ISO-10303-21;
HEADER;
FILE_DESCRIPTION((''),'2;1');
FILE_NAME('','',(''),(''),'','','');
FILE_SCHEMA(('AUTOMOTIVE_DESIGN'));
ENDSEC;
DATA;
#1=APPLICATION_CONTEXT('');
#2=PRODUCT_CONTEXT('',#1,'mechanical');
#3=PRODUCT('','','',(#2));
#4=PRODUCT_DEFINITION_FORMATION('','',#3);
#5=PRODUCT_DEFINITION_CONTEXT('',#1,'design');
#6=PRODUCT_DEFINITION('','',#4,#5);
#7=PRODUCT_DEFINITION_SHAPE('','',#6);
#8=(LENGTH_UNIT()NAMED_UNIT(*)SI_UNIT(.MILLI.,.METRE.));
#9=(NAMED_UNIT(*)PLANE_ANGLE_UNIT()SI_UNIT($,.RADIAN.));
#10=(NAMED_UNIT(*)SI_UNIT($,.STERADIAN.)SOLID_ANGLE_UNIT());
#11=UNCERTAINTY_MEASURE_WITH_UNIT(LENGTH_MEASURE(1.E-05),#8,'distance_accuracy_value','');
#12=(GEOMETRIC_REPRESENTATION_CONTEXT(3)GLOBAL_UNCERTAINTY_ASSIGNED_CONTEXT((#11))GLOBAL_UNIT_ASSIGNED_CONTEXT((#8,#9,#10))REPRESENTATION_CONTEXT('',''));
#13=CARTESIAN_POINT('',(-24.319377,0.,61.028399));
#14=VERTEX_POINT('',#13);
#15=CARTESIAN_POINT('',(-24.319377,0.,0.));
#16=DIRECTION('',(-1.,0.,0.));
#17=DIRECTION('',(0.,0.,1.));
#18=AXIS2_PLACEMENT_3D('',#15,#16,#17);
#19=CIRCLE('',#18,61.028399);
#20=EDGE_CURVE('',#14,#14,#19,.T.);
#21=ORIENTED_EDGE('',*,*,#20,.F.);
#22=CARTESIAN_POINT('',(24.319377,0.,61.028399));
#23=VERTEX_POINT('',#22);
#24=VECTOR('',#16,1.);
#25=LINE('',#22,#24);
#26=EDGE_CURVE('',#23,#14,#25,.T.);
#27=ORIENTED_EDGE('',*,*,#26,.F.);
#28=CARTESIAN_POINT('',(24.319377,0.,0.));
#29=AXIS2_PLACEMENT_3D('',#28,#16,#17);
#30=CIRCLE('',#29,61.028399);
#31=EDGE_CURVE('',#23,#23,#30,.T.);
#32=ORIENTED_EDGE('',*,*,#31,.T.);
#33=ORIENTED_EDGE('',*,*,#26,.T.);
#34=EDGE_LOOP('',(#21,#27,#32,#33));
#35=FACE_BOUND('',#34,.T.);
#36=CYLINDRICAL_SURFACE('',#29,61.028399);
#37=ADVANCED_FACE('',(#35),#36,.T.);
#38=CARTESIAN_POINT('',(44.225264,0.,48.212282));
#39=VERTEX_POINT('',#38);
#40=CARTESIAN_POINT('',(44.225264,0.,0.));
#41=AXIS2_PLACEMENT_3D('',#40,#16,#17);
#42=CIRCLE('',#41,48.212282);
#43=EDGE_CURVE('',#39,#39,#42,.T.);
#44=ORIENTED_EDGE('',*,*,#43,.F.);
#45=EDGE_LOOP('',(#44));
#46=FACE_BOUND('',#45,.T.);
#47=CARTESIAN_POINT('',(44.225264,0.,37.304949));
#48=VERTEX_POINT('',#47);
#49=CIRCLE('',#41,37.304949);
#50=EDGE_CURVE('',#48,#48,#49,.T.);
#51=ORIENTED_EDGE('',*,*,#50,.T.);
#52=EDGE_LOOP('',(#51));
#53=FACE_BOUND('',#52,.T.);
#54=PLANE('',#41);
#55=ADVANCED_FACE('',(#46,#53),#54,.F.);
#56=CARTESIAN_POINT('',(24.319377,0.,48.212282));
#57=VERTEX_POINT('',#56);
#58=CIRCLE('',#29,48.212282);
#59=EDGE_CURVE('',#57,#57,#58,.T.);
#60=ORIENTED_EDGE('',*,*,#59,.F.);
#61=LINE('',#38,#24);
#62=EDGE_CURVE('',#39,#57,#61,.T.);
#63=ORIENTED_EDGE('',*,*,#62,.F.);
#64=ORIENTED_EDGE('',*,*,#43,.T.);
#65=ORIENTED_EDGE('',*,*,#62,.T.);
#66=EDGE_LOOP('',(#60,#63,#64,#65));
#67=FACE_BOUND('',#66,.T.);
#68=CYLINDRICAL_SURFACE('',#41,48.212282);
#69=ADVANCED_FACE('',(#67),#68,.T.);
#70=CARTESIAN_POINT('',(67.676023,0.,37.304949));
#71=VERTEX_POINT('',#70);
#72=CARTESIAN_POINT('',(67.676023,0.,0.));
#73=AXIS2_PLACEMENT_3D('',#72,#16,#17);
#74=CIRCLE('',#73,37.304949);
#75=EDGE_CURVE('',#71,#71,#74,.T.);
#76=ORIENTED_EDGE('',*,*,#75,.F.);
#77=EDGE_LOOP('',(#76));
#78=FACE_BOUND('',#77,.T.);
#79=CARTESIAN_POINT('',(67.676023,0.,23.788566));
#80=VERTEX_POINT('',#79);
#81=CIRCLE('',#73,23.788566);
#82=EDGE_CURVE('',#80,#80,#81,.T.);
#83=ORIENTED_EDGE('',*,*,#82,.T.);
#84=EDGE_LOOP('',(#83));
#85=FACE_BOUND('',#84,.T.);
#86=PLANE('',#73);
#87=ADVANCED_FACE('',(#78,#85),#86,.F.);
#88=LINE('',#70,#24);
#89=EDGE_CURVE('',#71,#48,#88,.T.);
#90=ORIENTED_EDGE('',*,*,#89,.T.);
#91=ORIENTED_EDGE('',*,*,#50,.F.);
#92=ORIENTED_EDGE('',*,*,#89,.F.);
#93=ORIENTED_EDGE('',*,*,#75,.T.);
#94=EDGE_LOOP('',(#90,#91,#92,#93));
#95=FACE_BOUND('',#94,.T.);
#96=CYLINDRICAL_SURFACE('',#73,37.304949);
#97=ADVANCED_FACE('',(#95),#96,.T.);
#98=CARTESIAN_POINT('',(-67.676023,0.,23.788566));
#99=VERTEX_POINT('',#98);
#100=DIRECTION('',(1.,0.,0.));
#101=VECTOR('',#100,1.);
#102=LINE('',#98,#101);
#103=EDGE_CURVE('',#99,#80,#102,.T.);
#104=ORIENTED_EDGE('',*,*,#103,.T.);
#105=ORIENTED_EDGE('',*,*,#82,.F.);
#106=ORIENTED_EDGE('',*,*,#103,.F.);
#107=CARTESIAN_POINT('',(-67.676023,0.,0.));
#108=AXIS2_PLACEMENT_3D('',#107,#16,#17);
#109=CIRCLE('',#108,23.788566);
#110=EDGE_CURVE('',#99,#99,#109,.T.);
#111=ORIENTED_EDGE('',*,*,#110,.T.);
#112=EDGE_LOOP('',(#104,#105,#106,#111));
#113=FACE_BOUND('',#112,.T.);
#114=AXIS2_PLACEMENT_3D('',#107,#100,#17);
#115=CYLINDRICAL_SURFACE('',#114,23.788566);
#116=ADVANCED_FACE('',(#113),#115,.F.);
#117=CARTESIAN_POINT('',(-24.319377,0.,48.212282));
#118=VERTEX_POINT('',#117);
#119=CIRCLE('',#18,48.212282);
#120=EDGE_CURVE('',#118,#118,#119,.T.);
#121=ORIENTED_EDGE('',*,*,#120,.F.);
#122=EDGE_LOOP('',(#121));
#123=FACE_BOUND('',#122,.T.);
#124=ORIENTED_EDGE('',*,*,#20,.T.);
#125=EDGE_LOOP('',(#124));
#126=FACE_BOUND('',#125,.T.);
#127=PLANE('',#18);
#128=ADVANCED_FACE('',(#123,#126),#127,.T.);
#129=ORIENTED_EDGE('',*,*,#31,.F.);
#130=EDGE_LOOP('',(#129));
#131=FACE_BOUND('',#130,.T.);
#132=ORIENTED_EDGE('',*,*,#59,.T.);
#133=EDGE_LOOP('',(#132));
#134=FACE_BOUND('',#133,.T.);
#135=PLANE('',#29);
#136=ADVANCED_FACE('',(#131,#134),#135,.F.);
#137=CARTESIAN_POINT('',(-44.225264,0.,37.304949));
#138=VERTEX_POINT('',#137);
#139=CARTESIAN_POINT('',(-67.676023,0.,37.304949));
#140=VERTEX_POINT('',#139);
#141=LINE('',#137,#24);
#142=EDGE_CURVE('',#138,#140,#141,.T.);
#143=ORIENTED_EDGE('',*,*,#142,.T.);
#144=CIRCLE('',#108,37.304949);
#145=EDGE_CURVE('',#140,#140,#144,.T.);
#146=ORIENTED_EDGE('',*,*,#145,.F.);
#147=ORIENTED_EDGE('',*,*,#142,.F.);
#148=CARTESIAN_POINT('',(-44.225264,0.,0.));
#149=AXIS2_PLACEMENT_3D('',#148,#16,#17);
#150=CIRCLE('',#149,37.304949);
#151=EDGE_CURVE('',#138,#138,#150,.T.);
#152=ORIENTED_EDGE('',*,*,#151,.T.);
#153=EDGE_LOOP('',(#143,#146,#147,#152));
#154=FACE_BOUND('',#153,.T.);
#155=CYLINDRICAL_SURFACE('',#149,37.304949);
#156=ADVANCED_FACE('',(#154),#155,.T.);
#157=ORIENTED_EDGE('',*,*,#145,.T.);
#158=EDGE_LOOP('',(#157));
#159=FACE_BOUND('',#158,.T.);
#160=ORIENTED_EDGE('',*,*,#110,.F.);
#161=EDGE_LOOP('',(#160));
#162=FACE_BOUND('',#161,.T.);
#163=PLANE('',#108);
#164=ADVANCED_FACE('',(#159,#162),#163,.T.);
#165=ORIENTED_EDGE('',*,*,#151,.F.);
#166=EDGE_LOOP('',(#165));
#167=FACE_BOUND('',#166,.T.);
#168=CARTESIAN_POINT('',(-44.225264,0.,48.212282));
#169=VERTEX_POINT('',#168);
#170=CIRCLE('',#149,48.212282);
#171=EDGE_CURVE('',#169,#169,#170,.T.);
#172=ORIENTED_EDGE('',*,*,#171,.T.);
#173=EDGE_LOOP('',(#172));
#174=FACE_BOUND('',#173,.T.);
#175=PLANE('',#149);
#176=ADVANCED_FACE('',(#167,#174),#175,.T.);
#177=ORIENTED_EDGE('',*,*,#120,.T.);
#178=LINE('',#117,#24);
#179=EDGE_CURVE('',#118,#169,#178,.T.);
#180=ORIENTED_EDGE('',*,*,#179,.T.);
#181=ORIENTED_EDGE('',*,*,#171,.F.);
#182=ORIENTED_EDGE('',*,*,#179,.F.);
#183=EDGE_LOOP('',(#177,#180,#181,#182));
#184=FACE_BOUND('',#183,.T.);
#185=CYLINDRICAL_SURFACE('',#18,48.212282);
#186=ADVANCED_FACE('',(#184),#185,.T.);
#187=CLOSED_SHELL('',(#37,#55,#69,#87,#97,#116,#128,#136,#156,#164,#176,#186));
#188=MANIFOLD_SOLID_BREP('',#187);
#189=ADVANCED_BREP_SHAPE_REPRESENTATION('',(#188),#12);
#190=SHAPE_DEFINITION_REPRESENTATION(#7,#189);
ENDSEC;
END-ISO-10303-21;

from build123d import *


with BuildPart() as f1:
    # F0 (on Front) → F1 (revolve)
    with BuildSketch(Plane.XZ):
        Polygon((24.319377, 61.028399), (0, 61.028399), (0, 23.788566), (67.676023, 23.788566), (67.676023, 37.304949), (44.225264, 37.304949), (44.225264, 48.212282), (24.319377, 48.212282), align=None)
        Polygon((0, 23.788566), (0, 61.028399), (-24.319377, 61.028399), (-24.319377, 48.212282), (-44.225264, 48.212282), (-44.225264, 37.304949), (-67.676023, 37.304949), (-67.676023, 23.788566), align=None)
    revolve(axis=Axis((2.036428, 0, 0), (-1, 0, 0)))


solid = f1.part
